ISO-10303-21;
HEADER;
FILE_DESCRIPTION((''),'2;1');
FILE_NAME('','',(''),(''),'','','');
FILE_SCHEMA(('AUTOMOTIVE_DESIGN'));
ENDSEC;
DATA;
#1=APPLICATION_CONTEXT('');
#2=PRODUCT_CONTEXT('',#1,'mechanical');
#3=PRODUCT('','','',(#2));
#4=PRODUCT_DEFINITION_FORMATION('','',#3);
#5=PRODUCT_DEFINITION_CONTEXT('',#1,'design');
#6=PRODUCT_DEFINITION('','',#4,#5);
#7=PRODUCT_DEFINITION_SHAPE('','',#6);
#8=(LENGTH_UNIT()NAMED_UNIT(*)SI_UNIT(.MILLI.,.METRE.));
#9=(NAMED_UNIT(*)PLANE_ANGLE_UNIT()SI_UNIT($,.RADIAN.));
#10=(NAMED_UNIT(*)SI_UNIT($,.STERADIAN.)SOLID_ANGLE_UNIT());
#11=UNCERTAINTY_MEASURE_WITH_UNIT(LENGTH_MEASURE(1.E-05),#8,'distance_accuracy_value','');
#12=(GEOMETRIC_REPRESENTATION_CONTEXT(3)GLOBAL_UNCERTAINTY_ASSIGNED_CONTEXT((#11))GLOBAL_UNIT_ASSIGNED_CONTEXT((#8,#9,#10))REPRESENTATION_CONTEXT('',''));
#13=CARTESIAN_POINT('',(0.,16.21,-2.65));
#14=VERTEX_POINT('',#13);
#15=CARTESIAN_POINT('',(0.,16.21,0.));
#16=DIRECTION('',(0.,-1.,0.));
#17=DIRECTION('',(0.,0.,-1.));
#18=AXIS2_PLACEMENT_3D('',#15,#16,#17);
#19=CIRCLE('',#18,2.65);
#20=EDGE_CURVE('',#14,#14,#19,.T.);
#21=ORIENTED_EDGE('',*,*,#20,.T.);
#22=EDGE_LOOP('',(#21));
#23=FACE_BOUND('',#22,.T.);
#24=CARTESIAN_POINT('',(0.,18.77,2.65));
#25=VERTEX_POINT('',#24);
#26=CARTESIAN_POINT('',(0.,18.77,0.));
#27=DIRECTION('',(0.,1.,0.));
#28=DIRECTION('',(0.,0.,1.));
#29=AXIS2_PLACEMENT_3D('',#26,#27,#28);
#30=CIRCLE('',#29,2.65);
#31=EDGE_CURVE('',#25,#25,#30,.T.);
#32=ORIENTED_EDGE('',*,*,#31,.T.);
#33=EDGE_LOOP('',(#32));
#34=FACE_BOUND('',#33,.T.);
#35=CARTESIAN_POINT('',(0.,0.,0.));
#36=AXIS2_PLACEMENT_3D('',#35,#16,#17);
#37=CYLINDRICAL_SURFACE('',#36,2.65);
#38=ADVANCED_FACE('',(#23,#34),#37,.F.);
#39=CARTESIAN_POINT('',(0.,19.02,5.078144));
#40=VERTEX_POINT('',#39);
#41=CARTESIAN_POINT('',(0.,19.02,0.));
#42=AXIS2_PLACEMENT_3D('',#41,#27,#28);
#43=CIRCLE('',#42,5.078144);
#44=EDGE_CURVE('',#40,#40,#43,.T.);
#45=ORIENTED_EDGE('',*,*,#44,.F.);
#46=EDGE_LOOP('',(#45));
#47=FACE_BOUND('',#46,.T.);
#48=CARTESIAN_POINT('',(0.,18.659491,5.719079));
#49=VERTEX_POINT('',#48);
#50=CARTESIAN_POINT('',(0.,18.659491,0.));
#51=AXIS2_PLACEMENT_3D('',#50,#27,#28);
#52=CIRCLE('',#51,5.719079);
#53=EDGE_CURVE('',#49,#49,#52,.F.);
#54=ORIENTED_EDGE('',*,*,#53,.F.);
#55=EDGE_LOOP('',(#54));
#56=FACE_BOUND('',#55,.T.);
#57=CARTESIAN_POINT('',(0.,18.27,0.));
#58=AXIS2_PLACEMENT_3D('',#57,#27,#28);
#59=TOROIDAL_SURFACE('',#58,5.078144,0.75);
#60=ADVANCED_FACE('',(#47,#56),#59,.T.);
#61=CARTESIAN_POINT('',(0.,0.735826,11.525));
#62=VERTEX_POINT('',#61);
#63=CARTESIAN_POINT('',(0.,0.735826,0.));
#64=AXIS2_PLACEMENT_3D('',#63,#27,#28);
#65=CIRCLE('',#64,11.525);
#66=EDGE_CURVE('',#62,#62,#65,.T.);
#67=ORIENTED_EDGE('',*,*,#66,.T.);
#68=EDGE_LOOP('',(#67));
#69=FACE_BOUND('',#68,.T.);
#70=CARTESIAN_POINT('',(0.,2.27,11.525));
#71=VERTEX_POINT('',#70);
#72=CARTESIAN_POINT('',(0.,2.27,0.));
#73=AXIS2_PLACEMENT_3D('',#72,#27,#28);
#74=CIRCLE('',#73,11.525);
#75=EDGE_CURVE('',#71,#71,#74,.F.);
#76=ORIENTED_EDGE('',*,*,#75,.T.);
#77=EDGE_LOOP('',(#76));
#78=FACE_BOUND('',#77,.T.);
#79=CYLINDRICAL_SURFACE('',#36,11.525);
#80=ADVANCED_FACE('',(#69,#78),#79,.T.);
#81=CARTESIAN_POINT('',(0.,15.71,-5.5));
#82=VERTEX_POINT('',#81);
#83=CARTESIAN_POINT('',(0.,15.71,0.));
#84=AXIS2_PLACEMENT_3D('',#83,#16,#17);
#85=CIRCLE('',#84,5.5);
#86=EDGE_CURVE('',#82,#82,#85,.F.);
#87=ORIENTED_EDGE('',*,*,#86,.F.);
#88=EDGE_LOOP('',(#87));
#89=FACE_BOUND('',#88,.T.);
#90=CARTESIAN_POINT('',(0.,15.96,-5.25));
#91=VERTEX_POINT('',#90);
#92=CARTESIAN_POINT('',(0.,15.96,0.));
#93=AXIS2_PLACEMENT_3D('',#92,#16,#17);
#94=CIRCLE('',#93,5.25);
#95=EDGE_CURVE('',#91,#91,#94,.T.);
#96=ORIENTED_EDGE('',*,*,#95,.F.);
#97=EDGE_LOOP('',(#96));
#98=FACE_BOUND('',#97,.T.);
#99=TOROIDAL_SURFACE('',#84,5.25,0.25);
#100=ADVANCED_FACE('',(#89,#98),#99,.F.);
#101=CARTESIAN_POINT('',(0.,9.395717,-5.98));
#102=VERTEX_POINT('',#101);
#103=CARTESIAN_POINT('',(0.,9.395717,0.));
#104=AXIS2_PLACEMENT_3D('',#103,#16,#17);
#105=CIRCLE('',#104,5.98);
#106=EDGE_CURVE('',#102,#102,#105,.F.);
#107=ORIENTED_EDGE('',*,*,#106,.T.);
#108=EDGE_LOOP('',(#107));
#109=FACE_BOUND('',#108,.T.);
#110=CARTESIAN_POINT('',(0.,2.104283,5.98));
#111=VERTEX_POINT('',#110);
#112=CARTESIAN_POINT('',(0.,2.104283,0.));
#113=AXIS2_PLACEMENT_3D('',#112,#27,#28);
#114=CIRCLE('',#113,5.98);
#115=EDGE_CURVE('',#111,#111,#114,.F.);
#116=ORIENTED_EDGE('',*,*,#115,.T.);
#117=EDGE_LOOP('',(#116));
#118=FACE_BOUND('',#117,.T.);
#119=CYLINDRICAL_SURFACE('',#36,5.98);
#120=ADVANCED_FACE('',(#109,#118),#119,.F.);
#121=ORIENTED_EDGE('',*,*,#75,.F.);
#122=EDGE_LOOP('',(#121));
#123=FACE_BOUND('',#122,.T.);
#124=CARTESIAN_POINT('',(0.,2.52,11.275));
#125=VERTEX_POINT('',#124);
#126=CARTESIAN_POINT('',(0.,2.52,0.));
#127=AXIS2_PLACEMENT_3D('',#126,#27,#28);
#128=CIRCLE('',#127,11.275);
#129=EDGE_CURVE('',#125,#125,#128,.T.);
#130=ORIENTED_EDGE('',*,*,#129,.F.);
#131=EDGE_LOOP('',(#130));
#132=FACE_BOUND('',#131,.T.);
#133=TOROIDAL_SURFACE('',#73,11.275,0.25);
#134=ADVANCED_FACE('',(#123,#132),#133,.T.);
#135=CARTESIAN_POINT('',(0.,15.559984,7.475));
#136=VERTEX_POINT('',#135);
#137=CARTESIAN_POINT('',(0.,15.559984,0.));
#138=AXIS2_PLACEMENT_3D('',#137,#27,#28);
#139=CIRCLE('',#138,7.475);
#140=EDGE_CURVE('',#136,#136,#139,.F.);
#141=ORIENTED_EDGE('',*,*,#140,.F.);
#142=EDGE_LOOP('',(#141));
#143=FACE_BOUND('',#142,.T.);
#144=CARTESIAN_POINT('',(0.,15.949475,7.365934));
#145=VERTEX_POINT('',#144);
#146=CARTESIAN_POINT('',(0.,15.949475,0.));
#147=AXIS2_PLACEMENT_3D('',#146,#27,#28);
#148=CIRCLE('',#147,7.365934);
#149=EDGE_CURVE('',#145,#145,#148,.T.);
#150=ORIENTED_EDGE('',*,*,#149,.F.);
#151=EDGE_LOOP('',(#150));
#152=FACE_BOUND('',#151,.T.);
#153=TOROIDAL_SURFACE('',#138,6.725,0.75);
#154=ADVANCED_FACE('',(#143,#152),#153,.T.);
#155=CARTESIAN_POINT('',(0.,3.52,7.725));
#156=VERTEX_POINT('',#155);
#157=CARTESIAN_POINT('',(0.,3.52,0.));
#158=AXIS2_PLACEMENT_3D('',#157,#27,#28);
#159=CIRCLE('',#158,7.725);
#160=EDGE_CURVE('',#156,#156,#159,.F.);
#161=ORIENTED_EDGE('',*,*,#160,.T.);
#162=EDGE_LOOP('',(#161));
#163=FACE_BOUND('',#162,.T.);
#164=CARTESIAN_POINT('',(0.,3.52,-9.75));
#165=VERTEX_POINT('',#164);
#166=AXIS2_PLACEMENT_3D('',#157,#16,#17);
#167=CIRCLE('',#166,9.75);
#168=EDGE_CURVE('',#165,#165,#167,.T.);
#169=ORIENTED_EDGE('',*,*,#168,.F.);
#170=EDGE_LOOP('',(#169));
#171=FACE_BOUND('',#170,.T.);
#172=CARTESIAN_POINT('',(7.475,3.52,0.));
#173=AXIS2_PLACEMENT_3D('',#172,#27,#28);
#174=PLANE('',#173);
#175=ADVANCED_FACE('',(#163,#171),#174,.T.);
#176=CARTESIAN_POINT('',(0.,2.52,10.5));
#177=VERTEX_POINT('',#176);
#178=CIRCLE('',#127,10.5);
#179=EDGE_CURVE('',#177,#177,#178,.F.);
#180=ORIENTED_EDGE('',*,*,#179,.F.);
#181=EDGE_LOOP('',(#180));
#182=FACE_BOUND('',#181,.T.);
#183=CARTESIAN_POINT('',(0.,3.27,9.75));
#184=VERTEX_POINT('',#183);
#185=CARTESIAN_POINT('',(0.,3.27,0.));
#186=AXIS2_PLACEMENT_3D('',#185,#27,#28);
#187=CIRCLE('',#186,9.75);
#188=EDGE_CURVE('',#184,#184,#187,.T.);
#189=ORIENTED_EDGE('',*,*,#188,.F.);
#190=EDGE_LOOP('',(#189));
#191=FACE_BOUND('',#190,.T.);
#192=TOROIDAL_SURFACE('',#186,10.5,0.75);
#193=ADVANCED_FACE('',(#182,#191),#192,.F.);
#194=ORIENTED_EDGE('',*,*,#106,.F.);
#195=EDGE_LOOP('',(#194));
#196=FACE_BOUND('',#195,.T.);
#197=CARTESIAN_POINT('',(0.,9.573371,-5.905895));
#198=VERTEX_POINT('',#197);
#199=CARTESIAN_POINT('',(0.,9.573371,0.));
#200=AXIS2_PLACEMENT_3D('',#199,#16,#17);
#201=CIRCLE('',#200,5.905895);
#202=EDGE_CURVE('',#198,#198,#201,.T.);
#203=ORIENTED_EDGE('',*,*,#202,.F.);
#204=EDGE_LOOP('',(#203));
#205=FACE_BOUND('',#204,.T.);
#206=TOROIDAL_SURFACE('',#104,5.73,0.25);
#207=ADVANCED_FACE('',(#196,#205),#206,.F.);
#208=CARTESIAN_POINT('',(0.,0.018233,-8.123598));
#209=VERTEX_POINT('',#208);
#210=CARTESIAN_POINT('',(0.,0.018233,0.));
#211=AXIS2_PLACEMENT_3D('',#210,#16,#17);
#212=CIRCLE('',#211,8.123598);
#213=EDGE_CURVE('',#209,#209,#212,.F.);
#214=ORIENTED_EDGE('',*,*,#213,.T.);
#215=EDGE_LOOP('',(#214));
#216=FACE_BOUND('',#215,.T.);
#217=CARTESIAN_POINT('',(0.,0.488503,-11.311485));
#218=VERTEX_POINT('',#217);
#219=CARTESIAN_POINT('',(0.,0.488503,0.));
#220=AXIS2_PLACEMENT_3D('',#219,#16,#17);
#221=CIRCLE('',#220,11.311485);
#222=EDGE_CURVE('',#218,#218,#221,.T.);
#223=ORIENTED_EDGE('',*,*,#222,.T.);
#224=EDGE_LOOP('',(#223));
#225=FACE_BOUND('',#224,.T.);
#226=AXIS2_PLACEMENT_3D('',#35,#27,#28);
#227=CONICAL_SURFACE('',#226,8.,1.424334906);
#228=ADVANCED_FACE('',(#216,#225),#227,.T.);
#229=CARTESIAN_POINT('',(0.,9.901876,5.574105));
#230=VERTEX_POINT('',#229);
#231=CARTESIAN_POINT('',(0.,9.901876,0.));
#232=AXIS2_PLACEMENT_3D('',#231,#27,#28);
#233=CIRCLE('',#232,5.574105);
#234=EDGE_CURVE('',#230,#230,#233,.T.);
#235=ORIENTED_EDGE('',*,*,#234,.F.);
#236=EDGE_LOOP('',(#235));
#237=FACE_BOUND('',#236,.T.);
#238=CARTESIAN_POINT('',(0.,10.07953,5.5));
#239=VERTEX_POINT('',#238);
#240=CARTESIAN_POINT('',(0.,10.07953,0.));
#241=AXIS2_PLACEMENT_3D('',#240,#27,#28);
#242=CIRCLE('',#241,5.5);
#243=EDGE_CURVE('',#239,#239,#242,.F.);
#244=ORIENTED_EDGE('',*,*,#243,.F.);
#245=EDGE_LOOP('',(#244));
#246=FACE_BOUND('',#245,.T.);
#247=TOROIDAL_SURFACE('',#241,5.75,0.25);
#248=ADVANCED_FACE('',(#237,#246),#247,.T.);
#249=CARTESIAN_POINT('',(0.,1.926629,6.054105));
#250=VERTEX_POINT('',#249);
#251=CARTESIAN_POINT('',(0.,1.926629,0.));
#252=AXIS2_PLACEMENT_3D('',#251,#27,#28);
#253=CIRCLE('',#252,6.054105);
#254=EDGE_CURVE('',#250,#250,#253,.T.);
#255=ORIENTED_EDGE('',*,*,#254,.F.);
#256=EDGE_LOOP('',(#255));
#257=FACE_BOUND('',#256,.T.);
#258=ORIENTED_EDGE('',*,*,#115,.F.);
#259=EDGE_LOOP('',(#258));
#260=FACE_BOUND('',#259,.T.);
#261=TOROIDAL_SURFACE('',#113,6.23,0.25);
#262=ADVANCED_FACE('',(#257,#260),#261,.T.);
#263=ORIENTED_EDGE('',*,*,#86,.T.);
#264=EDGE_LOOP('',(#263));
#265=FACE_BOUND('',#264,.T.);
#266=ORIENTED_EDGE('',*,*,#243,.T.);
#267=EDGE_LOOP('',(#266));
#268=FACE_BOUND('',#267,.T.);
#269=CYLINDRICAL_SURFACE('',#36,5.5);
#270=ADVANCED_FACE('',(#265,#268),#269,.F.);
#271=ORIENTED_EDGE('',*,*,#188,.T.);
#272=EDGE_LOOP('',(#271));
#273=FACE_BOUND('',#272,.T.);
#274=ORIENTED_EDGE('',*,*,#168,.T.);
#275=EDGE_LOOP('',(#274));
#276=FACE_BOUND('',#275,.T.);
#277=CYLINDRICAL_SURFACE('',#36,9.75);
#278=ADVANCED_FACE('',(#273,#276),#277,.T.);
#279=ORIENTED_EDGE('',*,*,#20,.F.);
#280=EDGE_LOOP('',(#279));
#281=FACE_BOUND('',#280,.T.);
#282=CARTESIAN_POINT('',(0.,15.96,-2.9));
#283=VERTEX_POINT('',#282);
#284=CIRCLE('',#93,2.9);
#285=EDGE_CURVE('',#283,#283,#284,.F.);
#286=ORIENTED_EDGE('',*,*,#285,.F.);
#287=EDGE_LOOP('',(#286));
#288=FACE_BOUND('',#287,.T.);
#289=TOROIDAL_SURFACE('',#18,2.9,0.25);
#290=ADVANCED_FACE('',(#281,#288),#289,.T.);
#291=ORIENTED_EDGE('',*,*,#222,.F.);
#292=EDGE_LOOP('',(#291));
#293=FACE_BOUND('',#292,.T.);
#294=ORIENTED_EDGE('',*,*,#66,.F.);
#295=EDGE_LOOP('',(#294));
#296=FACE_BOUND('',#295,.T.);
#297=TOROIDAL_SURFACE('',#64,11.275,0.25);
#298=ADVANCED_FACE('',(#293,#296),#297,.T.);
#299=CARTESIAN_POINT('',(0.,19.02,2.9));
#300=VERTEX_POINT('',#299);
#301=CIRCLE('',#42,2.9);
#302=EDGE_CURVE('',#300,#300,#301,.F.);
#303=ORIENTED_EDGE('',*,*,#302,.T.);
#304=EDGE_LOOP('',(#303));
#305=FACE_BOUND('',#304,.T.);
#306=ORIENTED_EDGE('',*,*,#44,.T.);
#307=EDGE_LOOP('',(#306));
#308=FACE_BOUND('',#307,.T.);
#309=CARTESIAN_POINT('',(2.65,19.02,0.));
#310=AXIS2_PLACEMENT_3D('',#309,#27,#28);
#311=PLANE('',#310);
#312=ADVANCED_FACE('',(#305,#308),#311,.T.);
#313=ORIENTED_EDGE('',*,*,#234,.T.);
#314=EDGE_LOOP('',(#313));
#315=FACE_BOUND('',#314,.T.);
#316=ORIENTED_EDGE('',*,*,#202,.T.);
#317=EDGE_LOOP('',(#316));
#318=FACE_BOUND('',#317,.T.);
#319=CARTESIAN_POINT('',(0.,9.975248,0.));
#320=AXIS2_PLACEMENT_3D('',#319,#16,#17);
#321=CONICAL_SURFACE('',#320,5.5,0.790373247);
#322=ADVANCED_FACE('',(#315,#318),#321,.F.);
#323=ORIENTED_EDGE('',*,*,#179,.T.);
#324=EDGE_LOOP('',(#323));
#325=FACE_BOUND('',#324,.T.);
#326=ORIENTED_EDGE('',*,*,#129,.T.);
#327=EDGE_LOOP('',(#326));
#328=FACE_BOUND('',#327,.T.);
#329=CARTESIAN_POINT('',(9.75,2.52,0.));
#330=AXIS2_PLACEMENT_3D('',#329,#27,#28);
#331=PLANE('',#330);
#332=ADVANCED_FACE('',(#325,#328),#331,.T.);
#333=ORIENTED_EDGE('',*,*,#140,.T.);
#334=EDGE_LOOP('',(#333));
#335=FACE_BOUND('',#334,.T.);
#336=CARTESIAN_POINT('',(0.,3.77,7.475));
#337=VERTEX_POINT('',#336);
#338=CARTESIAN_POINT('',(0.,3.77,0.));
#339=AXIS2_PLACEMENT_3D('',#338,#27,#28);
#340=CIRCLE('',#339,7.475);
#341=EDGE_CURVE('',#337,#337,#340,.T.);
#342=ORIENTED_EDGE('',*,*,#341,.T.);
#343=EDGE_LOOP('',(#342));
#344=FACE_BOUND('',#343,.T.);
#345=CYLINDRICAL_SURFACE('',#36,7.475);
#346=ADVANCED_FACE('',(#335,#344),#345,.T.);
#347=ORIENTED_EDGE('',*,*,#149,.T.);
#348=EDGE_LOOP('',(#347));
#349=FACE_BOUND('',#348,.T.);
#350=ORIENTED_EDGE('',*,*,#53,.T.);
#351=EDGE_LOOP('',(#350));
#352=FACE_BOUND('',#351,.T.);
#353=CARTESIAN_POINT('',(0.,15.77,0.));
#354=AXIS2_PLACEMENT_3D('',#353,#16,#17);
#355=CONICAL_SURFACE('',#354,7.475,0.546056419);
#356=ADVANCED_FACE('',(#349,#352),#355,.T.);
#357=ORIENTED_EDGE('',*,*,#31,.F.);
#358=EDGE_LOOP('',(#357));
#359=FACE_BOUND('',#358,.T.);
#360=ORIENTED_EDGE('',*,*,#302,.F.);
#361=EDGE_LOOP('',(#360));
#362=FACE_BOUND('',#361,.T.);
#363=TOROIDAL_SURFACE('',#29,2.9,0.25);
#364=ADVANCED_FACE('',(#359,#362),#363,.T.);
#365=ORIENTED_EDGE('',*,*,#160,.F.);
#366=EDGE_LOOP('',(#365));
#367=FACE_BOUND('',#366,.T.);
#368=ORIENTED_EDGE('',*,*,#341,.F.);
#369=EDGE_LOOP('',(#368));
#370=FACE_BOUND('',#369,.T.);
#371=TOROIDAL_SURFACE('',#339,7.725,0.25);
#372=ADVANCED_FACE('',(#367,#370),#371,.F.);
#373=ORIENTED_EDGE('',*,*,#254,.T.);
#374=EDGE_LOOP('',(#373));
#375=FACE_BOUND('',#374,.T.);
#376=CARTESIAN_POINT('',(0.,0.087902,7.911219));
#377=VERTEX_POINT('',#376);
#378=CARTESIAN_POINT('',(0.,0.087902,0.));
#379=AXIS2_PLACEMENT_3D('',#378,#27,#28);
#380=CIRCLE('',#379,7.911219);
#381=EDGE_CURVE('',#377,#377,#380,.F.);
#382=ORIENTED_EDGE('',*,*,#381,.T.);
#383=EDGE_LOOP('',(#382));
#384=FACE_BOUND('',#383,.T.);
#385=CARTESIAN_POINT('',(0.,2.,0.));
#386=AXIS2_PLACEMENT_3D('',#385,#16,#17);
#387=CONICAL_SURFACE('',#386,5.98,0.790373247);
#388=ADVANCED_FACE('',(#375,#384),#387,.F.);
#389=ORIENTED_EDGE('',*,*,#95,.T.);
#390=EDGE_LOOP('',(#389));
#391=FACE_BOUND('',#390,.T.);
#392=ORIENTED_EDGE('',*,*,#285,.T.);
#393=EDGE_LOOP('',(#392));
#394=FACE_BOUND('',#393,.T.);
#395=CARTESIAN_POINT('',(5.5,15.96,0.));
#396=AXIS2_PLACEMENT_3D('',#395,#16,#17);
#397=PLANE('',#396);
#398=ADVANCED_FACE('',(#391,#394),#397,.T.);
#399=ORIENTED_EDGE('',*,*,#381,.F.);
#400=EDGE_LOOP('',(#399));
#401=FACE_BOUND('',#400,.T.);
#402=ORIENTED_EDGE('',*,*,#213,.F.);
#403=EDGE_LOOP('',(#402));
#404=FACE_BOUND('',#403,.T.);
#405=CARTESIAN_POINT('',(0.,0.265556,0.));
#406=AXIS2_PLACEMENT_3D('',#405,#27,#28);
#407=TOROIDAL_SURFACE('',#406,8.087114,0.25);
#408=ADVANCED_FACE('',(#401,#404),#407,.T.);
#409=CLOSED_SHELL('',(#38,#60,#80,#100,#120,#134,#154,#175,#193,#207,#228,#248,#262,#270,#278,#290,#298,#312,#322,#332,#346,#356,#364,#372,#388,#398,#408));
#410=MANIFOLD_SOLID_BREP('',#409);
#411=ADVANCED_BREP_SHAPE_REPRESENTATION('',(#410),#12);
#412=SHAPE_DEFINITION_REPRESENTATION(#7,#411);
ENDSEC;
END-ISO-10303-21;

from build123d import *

# Parameters (mm, degrees)
FILLET1_R = 0.75
FILLET2_R = 0.25


with BuildPart() as part:
    # Sketch1 → Revolve1 (revolve)
    with BuildSketch(Plane.XY):
        Polygon((2.65, 19.02), (5.5, 19.02), (7.475, 15.77), (7.475, 3.52), (9.75, 3.52), (9.75, 2.52), (11.525, 2.52), (11.525, 0.52), (8, 0), (5.98, 2), (5.98, 9.5), (5.5, 9.975247525), (5.5, 15.96), (2.65, 15.96), align=None)
    revolve(axis=Axis((0, 0, 0), (0, 1, 0)))

    # Fillet1
    fillet1_edges = [part.edges().sort_by_distance(p)[0] for p in [
        (-5.5, 19.02, 0),
        (-7.475, 15.77, 0),
        (-9.75, 2.52, 0),
    ]]
    fillet(fillet1_edges, radius=FILLET1_R)

    # Fillet2
    fillet2_edges = [part.edges().sort_by_distance(p)[0] for p in [
        (-11.525, 0.52, 0),
        (-5.5, 15.96, 0),
        (-5.5, 9.975247525, 0),
        (-5.98, 9.5, 0),
        (-5.98, 2, 0),
        (-8, 0, 0),
        (-7.475, 3.52, 0),
        (-11.525, 2.52, 0),
        (-2.65, 19.02, 0),
        (-2.65, 15.96, 0),
    ]]
    fillet(fillet2_edges, radius=FILLET2_R)


solid = part.part
